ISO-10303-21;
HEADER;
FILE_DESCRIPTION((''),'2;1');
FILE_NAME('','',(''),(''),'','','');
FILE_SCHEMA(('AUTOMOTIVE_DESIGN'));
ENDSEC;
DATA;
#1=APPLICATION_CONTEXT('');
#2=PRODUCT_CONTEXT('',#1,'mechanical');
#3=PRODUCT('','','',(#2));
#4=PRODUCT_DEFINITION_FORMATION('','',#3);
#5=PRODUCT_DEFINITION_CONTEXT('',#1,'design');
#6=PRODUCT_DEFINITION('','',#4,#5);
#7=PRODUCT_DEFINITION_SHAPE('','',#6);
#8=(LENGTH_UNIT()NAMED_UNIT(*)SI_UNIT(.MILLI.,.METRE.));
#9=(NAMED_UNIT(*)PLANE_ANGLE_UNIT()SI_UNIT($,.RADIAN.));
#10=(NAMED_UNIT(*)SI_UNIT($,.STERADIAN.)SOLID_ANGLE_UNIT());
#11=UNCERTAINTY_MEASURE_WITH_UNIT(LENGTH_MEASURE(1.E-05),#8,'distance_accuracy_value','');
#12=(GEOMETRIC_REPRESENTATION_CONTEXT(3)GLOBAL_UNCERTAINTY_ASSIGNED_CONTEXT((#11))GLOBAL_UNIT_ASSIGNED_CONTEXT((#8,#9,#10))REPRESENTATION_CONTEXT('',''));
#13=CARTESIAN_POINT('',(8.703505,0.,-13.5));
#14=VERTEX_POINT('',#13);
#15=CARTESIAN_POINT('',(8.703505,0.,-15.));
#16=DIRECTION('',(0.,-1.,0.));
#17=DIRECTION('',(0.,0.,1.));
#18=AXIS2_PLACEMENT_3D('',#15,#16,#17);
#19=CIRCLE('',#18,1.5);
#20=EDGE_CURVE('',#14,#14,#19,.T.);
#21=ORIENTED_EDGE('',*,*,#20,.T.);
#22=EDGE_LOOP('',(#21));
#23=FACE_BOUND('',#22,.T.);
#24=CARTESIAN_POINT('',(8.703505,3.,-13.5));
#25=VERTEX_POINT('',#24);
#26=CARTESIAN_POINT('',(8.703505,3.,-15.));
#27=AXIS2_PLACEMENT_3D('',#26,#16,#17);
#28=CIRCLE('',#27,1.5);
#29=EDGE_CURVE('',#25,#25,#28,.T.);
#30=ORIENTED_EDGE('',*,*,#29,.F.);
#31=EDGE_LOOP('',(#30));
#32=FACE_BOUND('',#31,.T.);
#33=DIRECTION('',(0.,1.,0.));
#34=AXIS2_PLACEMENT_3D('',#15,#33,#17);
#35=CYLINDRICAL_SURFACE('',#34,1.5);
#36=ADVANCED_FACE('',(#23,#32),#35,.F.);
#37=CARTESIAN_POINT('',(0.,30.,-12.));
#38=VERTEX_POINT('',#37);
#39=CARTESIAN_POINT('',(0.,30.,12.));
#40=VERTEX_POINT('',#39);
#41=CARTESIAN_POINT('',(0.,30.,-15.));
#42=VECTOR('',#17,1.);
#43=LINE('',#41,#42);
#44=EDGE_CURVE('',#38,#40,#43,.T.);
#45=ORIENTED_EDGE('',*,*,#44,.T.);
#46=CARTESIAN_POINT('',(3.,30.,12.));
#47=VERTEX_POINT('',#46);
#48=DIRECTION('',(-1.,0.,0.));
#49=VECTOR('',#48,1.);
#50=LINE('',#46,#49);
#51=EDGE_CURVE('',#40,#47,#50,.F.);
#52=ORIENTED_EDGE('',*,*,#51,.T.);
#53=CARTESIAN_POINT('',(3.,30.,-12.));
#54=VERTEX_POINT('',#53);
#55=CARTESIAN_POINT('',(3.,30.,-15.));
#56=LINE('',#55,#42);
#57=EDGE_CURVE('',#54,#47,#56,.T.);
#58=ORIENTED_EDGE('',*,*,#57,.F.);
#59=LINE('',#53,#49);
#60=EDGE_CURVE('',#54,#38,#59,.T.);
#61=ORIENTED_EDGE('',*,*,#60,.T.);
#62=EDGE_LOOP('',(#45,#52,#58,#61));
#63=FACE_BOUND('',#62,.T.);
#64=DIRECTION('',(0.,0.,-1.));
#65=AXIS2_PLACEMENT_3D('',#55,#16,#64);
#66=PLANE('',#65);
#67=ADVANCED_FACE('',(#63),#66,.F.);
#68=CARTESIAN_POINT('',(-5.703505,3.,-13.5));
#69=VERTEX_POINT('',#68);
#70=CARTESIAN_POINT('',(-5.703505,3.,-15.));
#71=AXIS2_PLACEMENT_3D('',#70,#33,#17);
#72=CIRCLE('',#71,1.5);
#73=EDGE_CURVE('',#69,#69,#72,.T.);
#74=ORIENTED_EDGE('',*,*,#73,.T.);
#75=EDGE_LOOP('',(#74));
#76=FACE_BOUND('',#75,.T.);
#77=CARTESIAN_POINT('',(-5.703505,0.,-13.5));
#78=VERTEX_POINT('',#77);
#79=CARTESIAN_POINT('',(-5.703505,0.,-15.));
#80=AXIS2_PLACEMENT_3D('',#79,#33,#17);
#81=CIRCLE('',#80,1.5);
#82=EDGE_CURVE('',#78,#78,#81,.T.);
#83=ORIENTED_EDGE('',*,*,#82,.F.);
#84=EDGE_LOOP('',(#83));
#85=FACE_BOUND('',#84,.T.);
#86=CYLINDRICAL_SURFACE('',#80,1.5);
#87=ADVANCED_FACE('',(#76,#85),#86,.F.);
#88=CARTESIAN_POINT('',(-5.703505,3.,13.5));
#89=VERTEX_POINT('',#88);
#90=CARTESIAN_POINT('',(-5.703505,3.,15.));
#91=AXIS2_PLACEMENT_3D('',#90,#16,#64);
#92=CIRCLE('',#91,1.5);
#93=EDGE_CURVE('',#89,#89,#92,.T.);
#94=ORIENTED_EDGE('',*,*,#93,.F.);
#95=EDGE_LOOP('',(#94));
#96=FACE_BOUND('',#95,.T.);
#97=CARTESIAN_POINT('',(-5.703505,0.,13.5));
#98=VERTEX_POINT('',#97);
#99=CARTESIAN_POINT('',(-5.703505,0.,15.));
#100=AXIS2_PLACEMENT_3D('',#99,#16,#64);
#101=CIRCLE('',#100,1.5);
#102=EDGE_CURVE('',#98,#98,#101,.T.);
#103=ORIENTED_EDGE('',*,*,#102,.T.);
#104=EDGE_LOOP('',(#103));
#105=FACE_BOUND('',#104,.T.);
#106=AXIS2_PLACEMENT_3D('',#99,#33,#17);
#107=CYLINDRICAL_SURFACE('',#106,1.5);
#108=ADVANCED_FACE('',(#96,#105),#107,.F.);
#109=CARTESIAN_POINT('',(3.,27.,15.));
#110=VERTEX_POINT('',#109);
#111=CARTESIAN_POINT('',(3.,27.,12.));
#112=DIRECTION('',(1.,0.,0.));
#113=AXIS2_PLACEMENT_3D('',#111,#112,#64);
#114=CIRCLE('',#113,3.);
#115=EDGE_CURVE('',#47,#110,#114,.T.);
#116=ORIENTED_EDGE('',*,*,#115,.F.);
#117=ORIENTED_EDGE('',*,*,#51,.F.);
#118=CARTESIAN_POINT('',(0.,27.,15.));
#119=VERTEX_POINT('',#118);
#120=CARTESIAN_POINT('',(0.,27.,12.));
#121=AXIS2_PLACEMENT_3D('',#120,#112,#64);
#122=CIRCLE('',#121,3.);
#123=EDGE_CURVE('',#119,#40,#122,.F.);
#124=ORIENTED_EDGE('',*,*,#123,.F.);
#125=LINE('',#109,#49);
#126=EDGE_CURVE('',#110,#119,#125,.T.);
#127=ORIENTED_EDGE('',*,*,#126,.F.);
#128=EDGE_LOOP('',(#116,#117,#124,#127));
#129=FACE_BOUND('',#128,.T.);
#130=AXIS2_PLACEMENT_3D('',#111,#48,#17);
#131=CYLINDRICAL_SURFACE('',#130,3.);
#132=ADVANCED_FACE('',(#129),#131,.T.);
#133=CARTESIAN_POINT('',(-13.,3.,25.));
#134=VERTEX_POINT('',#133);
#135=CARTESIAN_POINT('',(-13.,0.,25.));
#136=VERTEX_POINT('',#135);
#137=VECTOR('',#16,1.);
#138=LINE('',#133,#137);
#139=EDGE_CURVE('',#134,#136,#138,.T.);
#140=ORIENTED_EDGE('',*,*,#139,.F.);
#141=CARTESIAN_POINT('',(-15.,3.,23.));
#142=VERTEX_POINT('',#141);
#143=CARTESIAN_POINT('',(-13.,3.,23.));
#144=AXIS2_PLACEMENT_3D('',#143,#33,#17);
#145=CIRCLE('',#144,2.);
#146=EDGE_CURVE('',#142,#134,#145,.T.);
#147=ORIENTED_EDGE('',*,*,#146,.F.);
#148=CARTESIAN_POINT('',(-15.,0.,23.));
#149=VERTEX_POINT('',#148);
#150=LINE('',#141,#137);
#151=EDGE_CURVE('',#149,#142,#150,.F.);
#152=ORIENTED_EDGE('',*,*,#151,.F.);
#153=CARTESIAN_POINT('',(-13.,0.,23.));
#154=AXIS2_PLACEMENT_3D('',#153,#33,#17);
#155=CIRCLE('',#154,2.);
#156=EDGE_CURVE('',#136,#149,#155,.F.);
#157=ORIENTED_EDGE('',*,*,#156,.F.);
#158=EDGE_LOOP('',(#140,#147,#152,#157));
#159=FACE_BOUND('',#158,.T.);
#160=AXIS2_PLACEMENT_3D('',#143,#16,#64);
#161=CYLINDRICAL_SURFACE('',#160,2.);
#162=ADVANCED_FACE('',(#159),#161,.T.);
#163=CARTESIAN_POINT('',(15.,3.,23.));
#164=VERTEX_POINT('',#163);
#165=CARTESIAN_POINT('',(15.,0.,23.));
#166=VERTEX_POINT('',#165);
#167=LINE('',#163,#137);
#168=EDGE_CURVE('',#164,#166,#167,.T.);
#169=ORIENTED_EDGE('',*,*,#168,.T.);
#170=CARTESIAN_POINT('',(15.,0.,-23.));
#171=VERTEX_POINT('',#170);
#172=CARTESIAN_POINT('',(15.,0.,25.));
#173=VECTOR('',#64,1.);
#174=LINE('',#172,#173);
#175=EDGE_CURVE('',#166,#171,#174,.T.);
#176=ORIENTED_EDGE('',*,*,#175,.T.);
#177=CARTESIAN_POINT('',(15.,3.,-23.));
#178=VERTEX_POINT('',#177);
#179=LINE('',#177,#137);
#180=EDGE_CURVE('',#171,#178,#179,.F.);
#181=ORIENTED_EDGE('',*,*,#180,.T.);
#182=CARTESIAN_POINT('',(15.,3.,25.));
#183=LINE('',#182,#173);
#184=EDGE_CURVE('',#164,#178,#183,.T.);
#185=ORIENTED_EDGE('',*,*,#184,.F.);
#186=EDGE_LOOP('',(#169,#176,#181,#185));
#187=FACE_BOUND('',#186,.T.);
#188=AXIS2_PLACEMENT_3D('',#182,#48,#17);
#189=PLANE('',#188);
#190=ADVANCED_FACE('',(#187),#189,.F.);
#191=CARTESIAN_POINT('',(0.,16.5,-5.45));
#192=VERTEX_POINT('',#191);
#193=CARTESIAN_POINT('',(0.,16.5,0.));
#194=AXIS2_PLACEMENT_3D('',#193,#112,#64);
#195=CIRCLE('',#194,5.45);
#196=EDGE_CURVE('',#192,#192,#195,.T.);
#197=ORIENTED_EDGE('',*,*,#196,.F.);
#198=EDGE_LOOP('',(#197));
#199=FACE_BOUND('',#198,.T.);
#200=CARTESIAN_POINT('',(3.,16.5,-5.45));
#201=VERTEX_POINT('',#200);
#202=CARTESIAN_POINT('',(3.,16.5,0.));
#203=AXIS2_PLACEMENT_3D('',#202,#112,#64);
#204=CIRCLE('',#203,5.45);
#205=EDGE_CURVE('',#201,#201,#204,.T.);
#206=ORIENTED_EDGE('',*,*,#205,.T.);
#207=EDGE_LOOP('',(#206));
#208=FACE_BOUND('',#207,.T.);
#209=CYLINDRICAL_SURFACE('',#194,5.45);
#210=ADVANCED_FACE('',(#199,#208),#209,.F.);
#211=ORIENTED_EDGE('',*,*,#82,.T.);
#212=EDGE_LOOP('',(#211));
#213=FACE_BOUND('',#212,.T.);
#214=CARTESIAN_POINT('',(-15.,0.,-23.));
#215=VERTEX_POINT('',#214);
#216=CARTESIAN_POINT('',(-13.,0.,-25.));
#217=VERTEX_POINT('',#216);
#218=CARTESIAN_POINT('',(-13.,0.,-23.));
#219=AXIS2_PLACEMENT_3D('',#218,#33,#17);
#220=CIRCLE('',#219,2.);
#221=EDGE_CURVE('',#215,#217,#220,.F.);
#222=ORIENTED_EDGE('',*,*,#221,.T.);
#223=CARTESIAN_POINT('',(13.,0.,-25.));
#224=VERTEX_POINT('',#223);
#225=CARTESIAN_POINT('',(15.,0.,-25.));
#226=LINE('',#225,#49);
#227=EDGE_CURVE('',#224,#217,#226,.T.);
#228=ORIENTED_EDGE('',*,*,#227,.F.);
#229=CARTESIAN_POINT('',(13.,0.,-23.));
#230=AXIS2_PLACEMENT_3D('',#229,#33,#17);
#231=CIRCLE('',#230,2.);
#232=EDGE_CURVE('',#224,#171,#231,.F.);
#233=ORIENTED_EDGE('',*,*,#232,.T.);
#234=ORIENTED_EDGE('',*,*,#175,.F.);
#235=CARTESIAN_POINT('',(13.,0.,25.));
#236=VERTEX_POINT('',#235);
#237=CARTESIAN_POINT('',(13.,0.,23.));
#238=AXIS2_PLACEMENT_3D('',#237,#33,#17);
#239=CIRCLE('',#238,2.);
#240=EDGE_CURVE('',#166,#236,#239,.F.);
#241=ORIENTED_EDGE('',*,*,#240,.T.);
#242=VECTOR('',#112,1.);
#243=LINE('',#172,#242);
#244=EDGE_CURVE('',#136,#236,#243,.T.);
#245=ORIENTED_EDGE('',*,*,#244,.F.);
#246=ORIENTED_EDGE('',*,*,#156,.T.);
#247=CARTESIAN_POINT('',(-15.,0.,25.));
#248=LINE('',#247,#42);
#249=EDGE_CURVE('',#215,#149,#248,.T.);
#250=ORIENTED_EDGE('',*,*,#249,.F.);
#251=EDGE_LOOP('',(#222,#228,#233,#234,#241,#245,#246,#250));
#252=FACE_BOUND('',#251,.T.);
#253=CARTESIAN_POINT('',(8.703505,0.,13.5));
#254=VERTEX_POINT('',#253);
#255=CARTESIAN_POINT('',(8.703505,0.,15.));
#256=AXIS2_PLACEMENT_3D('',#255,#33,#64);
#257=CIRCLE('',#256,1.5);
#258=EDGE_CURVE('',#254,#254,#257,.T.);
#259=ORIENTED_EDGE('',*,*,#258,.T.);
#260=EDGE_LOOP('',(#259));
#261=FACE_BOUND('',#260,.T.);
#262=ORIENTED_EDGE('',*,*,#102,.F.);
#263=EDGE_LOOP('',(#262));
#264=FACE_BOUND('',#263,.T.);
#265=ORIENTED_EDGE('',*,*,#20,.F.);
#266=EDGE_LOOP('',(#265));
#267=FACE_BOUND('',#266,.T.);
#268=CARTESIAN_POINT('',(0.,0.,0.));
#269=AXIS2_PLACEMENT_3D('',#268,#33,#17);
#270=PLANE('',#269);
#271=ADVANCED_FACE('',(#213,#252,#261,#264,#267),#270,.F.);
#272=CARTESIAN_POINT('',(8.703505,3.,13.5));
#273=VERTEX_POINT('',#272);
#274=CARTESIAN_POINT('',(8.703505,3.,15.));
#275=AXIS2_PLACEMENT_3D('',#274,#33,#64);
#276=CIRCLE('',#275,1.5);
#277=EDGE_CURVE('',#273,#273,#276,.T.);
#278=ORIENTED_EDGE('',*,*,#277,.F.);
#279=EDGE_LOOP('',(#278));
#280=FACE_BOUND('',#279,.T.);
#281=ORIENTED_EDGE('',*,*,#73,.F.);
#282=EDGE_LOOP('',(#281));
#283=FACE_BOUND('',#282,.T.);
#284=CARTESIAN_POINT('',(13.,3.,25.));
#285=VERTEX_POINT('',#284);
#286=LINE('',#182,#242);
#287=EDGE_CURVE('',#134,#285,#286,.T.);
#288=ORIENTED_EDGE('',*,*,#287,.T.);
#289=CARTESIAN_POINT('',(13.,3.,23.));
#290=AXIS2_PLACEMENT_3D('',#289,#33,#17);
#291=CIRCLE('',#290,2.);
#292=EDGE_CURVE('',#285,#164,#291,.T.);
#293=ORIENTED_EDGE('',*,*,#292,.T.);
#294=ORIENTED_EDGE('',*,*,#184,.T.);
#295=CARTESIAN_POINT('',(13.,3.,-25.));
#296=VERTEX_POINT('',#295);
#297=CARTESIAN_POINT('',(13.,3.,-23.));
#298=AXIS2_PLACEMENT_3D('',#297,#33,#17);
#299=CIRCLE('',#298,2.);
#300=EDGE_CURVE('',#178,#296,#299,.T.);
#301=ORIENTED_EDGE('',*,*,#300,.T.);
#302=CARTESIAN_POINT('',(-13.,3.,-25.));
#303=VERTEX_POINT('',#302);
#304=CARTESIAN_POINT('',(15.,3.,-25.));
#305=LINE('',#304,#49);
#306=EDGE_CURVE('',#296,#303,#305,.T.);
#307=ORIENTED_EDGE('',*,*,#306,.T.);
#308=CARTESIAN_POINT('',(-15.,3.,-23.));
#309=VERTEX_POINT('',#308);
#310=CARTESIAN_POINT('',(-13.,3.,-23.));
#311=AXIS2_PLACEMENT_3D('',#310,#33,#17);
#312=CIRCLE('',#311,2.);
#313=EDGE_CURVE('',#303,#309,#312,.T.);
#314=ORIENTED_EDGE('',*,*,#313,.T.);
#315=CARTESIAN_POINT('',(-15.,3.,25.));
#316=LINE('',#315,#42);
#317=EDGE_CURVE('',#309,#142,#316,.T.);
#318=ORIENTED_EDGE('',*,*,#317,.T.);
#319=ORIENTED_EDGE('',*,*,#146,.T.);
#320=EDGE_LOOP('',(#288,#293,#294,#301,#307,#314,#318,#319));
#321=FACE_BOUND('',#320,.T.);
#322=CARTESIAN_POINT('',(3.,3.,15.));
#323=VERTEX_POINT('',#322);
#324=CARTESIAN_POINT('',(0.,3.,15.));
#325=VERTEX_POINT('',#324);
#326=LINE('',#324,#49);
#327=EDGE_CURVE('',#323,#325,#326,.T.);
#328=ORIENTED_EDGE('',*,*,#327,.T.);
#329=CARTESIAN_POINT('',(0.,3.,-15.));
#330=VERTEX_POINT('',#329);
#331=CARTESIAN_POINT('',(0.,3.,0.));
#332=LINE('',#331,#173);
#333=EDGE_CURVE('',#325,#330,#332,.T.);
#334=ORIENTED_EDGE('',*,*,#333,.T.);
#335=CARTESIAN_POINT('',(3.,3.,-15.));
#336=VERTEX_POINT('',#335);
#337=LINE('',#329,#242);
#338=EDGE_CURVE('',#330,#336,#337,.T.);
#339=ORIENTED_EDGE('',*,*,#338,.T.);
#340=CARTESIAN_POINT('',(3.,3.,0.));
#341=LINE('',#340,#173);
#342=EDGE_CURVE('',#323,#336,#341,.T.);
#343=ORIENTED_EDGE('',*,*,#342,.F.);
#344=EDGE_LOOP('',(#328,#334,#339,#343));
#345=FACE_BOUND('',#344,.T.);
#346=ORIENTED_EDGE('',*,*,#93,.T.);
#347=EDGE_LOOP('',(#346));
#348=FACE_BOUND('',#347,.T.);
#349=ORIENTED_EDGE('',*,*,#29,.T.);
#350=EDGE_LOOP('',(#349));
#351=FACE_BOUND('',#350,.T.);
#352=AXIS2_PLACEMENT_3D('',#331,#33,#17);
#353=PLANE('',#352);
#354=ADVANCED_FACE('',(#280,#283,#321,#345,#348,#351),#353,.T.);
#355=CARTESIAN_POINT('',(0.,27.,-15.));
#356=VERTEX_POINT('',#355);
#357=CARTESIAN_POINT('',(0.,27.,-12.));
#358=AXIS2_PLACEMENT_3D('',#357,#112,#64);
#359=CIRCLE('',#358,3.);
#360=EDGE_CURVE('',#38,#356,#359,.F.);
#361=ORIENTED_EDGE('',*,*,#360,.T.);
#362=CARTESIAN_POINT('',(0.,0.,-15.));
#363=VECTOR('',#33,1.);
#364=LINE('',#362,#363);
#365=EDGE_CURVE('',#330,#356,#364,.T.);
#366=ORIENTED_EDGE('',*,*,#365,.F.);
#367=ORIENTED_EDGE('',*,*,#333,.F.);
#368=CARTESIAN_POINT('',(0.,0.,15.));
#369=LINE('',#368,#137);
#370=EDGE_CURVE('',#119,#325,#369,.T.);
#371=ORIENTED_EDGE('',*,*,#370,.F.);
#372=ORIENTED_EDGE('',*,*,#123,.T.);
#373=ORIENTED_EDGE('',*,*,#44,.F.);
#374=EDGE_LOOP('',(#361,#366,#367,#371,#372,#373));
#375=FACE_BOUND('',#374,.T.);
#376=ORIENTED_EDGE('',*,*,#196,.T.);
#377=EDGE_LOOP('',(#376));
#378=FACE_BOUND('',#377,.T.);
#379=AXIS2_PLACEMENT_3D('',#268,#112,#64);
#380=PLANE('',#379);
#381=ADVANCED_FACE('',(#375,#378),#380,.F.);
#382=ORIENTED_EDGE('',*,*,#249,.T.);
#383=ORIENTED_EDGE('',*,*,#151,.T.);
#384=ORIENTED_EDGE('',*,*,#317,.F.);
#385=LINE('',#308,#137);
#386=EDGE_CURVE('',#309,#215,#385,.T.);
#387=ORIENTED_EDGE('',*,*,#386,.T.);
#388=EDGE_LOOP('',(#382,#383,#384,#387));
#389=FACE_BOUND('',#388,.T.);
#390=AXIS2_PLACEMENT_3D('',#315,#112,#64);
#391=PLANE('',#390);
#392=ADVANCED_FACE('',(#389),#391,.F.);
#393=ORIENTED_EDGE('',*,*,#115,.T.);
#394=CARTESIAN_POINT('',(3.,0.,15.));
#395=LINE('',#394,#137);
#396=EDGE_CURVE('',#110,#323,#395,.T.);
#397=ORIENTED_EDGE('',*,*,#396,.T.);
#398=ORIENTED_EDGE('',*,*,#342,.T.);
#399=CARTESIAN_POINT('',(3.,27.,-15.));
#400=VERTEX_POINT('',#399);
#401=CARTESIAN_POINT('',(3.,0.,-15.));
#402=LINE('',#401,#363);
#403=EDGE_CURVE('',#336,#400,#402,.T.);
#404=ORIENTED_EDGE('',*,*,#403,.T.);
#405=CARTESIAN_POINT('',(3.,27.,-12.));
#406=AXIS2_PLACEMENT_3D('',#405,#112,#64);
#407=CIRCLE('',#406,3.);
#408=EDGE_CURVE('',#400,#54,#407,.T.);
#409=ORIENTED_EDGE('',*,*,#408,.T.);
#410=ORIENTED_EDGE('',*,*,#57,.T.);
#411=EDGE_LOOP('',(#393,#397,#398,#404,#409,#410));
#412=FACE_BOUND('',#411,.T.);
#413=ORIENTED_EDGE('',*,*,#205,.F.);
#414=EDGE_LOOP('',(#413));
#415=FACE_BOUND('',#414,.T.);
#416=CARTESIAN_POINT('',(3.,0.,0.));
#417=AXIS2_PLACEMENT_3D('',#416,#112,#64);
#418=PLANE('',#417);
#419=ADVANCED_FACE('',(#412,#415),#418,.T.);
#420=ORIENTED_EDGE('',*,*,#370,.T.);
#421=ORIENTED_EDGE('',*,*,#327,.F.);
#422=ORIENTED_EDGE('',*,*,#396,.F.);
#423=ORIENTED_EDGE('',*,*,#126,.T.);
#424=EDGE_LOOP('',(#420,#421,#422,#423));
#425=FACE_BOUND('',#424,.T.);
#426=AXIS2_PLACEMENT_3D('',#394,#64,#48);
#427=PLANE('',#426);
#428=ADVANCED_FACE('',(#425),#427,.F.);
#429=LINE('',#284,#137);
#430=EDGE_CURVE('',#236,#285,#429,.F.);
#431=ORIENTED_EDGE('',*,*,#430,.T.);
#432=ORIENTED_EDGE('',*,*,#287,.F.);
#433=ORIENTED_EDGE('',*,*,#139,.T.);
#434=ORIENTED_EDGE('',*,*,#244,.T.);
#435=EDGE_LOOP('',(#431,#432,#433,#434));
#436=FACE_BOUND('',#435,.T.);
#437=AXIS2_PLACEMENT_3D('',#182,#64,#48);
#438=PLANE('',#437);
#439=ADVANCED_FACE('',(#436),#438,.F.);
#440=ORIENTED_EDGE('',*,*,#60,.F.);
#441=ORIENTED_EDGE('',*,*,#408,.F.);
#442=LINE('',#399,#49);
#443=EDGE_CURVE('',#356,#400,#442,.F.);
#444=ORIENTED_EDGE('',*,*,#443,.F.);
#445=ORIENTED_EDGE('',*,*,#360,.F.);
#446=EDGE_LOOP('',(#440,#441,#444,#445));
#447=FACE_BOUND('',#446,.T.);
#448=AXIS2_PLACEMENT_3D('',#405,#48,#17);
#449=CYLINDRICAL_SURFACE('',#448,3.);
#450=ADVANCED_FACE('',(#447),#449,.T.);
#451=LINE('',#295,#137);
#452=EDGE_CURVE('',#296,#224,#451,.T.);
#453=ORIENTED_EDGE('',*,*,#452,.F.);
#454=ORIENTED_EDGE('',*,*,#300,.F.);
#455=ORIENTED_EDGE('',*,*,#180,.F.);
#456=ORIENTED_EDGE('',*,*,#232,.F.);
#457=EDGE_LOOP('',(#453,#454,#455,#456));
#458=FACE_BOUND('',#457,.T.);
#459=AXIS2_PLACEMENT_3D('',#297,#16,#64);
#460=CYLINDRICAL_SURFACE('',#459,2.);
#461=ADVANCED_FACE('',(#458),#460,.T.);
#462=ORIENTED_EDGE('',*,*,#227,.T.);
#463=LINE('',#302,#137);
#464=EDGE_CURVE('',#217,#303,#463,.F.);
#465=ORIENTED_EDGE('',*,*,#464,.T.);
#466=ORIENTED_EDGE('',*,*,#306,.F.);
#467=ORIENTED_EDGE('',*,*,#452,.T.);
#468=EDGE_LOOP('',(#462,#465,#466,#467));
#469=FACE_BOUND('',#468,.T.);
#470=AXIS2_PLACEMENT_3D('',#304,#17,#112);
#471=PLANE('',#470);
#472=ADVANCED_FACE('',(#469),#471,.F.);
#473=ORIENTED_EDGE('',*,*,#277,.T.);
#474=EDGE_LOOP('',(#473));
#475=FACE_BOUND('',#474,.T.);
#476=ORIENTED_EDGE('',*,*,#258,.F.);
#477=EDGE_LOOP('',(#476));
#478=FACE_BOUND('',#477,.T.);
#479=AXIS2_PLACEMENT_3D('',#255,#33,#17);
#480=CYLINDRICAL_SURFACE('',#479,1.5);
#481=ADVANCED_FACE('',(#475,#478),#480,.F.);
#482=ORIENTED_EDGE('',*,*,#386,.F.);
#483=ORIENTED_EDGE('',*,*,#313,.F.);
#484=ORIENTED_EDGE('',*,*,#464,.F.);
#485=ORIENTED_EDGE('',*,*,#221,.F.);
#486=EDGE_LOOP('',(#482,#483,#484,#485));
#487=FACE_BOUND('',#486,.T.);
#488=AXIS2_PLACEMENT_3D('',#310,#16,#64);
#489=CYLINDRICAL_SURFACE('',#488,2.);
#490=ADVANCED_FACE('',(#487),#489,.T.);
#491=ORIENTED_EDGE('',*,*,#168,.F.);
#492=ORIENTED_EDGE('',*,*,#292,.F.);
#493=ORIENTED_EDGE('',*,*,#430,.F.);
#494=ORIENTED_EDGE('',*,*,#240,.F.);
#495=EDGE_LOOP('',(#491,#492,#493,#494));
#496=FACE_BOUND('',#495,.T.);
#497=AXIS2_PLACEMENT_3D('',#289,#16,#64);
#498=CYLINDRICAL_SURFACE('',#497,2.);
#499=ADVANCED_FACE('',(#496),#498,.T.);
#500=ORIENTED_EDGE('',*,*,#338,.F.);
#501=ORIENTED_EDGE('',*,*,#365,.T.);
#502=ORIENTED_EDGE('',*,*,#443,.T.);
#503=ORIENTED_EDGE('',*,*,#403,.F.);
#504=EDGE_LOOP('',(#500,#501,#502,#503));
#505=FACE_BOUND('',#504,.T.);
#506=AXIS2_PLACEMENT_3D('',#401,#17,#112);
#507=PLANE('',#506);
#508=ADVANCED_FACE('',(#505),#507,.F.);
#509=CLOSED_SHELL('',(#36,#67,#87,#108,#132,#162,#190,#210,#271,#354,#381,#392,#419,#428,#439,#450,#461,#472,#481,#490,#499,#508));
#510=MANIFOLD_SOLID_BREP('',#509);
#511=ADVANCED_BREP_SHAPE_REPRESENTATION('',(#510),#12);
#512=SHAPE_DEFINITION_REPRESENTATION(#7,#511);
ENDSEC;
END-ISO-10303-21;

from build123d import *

# Parameters (mm, degrees)
SKETCH_1_W               = 30
SKETCH_1_H               = 50
EXTRUDE_1_DEPTH          = 3
SKETCH_2_W               = 30
SKETCH_2_H               = 30
EXTRUDE_2_DEPTH          = 3
SKETCH_3_R               = 5.45
CUT_EXTRUDE_1_DEPTH      = 3
FILLET_1_R               = 2
FILLET_2_R               = 3
SKETCH_4_R               = 1.5
CUT_EXTRUDE_2_DEPTH      = 3
MIRROR_2_COPY_1_SKETCH_R = 1.5
MIRROR_2_COPY_1_DEPTH    = 3


with BuildPart() as part:
    # 草图1 → 凸台-拉伸1 (new body)
    with BuildSketch(Plane(origin=(0, 0, 0), x_dir=(1, 0, 0), z_dir=(0, 1, 0))):
        Rectangle(SKETCH_1_W, SKETCH_1_H)
    extrude(amount=EXTRUDE_1_DEPTH)

    # 草图2 → 凸台-拉伸2 (add)
    with BuildSketch(Plane(origin=(0, 0, 0), x_dir=(0, 0, -1), z_dir=(1, 0, 0))):
        with Locations((0, 15)):
            Rectangle(SKETCH_2_W, SKETCH_2_H)
    extrude(amount=EXTRUDE_2_DEPTH)

    # 草图3 → 切除-拉伸1 (cut)
    with BuildSketch(Plane(origin=(3, 0, 0), x_dir=(0, 0, -1), z_dir=(1, 0, 0))):
        with Locations((0, 16.5)):
            Circle(SKETCH_3_R)
    extrude(amount=-CUT_EXTRUDE_1_DEPTH, mode=Mode.SUBTRACT)

    # 圆角1
    fillet_1_edges = [part.edges().sort_by_distance(p)[0] for p in [
        (-15, 1.5, -25),
        (15, 1.5, -25),
        (15, 1.5, 25),
        (-15, 1.5, 25),
    ]]
    fillet(fillet_1_edges, radius=FILLET_1_R)

    # 圆角2
    fillet_2_edges = [part.edges().sort_by_distance(p)[0] for p in [
        (1.5, 30, 15),
        (1.5, 30, -15),
    ]]
    fillet(fillet_2_edges, radius=FILLET_2_R)

    # 草图4 → 切除-拉伸2 (cut)
    with BuildSketch(Plane(origin=(0, 3, 0), x_dir=(1, 0, 0), z_dir=(0, 1, 0))):
        with Locations(Location((-5.70350483, 15, 0), (0, 0, 270))):
            Circle(SKETCH_4_R)
    cut_extrude_2 = extrude(amount=-CUT_EXTRUDE_2_DEPTH, mode=Mode.SUBTRACT)

    # 镜向1: 切除-拉伸2 across plane
    add(cut_extrude_2.mirror(Plane.XY), mode=Mode.SUBTRACT)

    # 镜向2: 切除-拉伸2 across plane
    add(cut_extrude_2.mirror(Plane(origin=(1.5, 0, 0), x_dir=(0, 0, 1), z_dir=(1, 0, 0))), mode=Mode.SUBTRACT)

    # 镜向2 copy 1 sketch → 镜向2 copy 1 (cut)
    with BuildSketch(Plane(origin=(3, 3, 0), x_dir=(-1, 0, 0), z_dir=(0, 1, 0))):
        with Locations(Location((-5.70350483, 15, 0), (0, 0, 270))):
            Circle(MIRROR_2_COPY_1_SKETCH_R)
    extrude(amount=-MIRROR_2_COPY_1_DEPTH, mode=Mode.SUBTRACT)


solid = part.part
